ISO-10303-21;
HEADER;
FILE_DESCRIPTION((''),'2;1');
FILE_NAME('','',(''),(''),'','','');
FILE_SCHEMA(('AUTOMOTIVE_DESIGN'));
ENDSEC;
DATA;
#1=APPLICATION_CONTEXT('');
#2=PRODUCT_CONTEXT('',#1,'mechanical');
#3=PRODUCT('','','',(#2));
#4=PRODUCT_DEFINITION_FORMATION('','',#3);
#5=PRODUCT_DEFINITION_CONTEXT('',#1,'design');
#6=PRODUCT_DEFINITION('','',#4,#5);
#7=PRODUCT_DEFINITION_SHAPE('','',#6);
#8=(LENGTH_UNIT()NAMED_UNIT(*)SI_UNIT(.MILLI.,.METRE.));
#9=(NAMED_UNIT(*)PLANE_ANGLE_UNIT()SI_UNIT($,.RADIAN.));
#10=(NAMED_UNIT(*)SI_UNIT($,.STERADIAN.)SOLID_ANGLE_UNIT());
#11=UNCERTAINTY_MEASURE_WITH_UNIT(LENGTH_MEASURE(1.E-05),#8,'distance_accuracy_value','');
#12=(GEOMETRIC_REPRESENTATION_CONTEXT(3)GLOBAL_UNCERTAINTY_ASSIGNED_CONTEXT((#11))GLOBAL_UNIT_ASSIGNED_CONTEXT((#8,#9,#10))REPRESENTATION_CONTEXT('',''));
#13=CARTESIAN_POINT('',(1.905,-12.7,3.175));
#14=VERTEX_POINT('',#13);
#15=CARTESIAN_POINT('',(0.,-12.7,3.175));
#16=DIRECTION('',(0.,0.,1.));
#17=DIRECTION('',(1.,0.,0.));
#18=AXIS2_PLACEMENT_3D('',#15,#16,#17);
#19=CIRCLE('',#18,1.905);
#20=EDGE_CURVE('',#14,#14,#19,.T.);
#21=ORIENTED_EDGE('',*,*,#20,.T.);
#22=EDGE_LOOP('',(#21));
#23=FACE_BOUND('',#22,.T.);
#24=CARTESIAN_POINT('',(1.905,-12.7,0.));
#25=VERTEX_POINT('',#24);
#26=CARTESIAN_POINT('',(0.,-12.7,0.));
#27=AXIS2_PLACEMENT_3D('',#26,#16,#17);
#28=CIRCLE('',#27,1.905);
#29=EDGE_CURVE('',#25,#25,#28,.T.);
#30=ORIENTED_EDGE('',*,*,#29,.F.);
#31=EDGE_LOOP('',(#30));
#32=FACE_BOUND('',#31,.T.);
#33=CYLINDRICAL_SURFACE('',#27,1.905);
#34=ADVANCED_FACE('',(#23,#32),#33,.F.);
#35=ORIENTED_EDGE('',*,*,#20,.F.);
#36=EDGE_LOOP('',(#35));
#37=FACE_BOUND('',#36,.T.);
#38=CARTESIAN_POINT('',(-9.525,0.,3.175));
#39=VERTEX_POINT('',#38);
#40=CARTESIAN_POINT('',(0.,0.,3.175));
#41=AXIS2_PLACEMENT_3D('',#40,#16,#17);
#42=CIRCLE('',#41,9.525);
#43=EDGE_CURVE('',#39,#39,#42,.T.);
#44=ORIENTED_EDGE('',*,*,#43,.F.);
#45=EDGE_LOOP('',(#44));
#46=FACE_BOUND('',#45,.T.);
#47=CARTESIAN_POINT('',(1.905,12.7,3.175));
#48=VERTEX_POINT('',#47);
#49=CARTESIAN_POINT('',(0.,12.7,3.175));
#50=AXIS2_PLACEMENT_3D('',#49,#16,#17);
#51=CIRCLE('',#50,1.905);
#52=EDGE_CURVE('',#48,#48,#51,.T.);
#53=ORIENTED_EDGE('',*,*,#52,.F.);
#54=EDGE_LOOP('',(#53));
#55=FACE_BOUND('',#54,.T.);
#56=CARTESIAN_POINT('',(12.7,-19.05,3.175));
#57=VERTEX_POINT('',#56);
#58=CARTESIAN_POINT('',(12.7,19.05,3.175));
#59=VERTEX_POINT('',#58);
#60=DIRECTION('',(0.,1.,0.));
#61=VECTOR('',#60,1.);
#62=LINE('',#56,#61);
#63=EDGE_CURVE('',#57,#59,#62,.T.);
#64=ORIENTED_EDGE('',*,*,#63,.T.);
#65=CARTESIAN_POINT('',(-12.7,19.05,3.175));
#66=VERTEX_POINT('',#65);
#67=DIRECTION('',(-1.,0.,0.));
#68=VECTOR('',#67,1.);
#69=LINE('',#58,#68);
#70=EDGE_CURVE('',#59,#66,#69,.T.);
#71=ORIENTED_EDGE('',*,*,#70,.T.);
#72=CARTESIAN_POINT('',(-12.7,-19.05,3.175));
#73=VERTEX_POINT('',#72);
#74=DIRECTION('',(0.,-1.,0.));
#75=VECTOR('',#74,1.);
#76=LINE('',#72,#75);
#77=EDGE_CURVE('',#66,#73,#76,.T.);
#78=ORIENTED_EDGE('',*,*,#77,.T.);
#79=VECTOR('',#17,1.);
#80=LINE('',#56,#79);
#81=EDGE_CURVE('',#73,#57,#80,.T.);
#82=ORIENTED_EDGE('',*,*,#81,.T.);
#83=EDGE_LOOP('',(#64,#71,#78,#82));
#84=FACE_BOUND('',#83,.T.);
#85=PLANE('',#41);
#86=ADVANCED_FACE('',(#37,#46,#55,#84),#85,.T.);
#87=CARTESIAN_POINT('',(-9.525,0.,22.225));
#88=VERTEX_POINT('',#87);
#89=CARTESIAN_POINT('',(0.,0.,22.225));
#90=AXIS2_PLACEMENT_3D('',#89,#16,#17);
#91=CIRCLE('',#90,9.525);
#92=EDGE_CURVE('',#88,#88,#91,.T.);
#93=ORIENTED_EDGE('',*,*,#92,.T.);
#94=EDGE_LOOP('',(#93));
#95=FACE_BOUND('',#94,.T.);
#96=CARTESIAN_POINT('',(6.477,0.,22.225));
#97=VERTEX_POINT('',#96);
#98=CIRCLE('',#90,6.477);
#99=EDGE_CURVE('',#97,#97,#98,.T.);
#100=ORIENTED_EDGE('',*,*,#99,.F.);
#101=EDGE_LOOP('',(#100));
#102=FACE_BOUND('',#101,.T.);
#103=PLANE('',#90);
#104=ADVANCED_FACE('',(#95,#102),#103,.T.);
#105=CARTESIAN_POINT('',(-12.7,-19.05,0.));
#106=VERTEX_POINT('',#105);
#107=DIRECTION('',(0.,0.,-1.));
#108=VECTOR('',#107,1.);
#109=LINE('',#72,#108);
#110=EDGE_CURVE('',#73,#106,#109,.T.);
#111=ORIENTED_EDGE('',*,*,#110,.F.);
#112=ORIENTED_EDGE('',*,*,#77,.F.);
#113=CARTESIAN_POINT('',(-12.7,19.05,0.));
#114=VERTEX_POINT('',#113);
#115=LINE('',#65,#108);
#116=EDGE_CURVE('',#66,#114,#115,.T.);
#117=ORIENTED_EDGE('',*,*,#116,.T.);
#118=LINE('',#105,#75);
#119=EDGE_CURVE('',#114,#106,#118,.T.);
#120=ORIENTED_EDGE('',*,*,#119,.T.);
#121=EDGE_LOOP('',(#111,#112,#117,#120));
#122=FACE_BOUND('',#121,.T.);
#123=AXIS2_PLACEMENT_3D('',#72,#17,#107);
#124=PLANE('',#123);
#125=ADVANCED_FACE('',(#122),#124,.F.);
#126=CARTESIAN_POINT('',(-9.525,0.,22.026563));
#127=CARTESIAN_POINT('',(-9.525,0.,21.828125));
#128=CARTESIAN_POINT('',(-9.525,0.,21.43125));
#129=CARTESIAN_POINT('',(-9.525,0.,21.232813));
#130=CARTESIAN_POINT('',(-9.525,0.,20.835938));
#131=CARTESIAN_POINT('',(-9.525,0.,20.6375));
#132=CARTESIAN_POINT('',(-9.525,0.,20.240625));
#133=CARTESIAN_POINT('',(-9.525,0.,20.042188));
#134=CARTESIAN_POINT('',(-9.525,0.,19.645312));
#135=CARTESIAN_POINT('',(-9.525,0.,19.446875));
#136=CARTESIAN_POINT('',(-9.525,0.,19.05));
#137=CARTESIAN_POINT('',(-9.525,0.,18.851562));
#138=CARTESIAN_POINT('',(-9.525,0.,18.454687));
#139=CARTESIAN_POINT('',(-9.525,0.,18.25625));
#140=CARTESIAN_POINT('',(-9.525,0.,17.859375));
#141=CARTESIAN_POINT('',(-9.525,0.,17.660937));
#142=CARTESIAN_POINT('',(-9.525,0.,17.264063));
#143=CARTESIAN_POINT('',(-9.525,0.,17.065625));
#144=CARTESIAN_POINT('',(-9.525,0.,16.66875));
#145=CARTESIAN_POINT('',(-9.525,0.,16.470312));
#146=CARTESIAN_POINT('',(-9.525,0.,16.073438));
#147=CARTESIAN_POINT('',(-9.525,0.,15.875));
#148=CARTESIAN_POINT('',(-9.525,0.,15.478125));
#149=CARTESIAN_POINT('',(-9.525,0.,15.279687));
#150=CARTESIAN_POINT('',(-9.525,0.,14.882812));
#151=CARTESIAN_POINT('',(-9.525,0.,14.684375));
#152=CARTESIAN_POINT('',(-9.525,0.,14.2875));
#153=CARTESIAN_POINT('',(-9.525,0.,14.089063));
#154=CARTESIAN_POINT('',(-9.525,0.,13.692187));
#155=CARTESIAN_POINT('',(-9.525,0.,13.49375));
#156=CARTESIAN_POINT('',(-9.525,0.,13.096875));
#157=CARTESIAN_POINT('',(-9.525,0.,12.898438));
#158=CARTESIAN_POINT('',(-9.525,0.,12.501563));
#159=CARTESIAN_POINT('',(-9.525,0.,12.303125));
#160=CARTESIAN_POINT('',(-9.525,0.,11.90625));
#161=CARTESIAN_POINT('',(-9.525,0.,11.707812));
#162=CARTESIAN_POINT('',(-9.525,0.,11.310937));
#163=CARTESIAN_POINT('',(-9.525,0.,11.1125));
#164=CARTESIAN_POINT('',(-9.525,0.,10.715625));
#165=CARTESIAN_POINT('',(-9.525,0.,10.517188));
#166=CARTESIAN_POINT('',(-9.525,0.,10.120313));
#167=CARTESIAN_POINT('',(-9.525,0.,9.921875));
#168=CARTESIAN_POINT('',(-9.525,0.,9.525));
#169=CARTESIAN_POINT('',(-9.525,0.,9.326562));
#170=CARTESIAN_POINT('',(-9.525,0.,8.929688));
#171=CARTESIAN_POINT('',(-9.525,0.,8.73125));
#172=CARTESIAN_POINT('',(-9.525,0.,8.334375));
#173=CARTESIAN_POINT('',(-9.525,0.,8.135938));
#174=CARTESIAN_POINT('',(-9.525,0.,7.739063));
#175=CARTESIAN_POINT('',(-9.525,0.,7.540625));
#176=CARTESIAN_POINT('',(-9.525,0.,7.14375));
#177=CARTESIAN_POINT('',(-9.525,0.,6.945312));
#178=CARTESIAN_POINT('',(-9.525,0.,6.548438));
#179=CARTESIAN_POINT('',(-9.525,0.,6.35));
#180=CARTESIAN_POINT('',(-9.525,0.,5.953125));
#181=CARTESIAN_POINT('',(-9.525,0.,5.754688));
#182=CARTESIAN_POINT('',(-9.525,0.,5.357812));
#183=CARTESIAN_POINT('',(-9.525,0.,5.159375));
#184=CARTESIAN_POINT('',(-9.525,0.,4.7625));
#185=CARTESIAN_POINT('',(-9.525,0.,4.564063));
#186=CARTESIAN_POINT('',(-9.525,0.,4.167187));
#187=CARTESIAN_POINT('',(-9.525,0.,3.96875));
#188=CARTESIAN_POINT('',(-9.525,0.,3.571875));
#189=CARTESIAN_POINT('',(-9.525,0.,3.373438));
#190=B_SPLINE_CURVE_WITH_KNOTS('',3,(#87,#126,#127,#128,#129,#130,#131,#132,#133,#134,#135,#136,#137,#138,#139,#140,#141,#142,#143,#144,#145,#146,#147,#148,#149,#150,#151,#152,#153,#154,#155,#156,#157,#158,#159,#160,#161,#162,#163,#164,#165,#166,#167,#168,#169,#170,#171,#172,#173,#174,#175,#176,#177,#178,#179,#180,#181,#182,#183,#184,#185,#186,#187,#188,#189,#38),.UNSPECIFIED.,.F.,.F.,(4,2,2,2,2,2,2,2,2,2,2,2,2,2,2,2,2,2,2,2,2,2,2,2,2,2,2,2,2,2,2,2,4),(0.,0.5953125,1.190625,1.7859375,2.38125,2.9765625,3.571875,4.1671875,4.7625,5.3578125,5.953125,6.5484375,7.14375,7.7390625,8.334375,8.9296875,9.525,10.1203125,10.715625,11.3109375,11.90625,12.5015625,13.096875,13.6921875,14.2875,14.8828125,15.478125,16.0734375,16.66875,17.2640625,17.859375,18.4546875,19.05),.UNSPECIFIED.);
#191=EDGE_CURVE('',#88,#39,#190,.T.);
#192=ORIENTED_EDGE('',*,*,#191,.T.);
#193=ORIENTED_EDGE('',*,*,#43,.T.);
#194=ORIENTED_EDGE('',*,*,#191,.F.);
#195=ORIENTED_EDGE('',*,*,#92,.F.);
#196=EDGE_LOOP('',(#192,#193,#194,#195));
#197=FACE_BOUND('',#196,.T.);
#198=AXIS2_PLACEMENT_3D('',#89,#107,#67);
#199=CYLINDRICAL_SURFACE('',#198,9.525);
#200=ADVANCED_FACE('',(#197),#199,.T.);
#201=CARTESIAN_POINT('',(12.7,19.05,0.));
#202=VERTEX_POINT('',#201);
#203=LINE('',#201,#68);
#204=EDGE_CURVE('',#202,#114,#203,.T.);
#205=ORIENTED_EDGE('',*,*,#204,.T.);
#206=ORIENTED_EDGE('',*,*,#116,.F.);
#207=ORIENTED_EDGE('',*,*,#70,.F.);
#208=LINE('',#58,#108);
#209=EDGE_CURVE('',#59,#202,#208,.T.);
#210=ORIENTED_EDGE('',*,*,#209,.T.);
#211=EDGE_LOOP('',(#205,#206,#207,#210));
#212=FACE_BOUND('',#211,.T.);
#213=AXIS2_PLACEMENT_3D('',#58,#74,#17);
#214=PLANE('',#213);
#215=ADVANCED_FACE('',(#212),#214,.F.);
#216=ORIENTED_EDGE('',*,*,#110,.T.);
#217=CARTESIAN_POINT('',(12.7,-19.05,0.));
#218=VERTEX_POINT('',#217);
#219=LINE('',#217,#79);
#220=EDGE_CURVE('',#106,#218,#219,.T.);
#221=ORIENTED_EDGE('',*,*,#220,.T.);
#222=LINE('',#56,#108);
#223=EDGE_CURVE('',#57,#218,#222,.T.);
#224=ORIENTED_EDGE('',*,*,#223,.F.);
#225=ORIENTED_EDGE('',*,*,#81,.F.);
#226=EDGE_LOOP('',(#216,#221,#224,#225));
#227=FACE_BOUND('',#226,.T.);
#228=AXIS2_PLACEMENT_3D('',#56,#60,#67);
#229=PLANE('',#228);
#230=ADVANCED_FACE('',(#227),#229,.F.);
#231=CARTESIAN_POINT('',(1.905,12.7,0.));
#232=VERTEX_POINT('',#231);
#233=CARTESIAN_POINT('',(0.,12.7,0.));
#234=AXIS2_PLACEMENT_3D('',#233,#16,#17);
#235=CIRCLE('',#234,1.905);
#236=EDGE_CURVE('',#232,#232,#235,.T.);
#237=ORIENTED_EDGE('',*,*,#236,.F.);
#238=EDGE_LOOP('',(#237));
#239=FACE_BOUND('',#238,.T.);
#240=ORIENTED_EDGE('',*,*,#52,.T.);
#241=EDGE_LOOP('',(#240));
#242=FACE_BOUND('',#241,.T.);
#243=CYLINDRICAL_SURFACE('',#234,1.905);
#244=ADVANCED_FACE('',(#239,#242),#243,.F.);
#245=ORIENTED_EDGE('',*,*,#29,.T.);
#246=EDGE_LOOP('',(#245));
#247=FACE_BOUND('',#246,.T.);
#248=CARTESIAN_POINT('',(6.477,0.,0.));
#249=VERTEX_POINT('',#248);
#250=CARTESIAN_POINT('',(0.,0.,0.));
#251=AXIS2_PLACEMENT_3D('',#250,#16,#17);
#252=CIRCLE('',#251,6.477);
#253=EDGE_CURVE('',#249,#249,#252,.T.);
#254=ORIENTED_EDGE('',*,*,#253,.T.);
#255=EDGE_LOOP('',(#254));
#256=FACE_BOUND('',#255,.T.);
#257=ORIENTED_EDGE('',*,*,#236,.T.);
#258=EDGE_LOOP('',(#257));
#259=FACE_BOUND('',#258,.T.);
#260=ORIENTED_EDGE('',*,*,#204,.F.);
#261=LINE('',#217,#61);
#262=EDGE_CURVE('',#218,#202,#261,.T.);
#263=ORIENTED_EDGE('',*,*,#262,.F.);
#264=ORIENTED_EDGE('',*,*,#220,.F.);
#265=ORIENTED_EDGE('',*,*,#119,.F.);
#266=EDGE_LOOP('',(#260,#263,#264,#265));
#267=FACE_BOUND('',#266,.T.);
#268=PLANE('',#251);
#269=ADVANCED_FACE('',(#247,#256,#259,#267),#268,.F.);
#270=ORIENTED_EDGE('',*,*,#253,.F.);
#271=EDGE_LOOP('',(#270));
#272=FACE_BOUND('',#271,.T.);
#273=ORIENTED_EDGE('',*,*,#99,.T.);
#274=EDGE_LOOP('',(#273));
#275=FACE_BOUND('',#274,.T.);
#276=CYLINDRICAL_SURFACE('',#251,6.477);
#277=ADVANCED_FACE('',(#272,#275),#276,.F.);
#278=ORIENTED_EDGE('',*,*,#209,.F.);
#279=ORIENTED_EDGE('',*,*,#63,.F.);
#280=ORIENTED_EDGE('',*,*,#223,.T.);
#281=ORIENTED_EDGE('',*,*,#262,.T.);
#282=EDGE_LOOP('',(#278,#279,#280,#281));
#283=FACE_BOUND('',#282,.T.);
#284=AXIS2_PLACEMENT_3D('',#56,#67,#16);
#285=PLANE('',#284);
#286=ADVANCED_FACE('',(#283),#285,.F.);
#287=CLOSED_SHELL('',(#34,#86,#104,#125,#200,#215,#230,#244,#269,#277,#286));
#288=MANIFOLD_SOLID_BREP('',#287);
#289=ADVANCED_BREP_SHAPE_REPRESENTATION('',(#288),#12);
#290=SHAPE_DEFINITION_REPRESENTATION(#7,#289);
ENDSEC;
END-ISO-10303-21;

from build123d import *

# Parameters (mm, degrees)
SKETCH1_W           = 25.4
SKETCH1_H           = 38.1
BOSS_EXTRUDE1_DEPTH = 3.175
SKETCH2_R           = 9.525
BOSS_EXTRUDE2_DEPTH = 19.05
SKETCH3_R           = 6.477
CUT_EXTRUDE1_DEPTH  = 32.908355097
SKETCH4_R           = 1.905
CUT_EXTRUDE2_DEPTH  = 30.784140075


with BuildPart() as part:
    # Sketch1 → Boss-Extrude1 (new body)
    with BuildSketch(Plane.XY):
        Rectangle(SKETCH1_W, SKETCH1_H)
    extrude(amount=BOSS_EXTRUDE1_DEPTH)

    # Sketch2 → Boss-Extrude2 (add)
    with BuildSketch(Plane.XY.offset(3.175)):
        with Locations(Location((0, 0, 0), (0, 0, 180))):
            Circle(SKETCH2_R)
    extrude(amount=BOSS_EXTRUDE2_DEPTH)

    # Sketch3 → Cut-Extrude1 (cut, through all)
    with BuildSketch(Plane.XY.offset(22.225)):
        Circle(SKETCH3_R)
    extrude(amount=-CUT_EXTRUDE1_DEPTH, mode=Mode.SUBTRACT)

    # Sketch4 → Cut-Extrude2 (cut, through all)
    with BuildSketch(Plane.XY.offset(3.175)):
        with Locations((0, 12.7)):
            Circle(SKETCH4_R)
        with Locations((0, -12.7)):
            Circle(SKETCH4_R)
    extrude(amount=-CUT_EXTRUDE2_DEPTH, mode=Mode.SUBTRACT)


solid = part.part
